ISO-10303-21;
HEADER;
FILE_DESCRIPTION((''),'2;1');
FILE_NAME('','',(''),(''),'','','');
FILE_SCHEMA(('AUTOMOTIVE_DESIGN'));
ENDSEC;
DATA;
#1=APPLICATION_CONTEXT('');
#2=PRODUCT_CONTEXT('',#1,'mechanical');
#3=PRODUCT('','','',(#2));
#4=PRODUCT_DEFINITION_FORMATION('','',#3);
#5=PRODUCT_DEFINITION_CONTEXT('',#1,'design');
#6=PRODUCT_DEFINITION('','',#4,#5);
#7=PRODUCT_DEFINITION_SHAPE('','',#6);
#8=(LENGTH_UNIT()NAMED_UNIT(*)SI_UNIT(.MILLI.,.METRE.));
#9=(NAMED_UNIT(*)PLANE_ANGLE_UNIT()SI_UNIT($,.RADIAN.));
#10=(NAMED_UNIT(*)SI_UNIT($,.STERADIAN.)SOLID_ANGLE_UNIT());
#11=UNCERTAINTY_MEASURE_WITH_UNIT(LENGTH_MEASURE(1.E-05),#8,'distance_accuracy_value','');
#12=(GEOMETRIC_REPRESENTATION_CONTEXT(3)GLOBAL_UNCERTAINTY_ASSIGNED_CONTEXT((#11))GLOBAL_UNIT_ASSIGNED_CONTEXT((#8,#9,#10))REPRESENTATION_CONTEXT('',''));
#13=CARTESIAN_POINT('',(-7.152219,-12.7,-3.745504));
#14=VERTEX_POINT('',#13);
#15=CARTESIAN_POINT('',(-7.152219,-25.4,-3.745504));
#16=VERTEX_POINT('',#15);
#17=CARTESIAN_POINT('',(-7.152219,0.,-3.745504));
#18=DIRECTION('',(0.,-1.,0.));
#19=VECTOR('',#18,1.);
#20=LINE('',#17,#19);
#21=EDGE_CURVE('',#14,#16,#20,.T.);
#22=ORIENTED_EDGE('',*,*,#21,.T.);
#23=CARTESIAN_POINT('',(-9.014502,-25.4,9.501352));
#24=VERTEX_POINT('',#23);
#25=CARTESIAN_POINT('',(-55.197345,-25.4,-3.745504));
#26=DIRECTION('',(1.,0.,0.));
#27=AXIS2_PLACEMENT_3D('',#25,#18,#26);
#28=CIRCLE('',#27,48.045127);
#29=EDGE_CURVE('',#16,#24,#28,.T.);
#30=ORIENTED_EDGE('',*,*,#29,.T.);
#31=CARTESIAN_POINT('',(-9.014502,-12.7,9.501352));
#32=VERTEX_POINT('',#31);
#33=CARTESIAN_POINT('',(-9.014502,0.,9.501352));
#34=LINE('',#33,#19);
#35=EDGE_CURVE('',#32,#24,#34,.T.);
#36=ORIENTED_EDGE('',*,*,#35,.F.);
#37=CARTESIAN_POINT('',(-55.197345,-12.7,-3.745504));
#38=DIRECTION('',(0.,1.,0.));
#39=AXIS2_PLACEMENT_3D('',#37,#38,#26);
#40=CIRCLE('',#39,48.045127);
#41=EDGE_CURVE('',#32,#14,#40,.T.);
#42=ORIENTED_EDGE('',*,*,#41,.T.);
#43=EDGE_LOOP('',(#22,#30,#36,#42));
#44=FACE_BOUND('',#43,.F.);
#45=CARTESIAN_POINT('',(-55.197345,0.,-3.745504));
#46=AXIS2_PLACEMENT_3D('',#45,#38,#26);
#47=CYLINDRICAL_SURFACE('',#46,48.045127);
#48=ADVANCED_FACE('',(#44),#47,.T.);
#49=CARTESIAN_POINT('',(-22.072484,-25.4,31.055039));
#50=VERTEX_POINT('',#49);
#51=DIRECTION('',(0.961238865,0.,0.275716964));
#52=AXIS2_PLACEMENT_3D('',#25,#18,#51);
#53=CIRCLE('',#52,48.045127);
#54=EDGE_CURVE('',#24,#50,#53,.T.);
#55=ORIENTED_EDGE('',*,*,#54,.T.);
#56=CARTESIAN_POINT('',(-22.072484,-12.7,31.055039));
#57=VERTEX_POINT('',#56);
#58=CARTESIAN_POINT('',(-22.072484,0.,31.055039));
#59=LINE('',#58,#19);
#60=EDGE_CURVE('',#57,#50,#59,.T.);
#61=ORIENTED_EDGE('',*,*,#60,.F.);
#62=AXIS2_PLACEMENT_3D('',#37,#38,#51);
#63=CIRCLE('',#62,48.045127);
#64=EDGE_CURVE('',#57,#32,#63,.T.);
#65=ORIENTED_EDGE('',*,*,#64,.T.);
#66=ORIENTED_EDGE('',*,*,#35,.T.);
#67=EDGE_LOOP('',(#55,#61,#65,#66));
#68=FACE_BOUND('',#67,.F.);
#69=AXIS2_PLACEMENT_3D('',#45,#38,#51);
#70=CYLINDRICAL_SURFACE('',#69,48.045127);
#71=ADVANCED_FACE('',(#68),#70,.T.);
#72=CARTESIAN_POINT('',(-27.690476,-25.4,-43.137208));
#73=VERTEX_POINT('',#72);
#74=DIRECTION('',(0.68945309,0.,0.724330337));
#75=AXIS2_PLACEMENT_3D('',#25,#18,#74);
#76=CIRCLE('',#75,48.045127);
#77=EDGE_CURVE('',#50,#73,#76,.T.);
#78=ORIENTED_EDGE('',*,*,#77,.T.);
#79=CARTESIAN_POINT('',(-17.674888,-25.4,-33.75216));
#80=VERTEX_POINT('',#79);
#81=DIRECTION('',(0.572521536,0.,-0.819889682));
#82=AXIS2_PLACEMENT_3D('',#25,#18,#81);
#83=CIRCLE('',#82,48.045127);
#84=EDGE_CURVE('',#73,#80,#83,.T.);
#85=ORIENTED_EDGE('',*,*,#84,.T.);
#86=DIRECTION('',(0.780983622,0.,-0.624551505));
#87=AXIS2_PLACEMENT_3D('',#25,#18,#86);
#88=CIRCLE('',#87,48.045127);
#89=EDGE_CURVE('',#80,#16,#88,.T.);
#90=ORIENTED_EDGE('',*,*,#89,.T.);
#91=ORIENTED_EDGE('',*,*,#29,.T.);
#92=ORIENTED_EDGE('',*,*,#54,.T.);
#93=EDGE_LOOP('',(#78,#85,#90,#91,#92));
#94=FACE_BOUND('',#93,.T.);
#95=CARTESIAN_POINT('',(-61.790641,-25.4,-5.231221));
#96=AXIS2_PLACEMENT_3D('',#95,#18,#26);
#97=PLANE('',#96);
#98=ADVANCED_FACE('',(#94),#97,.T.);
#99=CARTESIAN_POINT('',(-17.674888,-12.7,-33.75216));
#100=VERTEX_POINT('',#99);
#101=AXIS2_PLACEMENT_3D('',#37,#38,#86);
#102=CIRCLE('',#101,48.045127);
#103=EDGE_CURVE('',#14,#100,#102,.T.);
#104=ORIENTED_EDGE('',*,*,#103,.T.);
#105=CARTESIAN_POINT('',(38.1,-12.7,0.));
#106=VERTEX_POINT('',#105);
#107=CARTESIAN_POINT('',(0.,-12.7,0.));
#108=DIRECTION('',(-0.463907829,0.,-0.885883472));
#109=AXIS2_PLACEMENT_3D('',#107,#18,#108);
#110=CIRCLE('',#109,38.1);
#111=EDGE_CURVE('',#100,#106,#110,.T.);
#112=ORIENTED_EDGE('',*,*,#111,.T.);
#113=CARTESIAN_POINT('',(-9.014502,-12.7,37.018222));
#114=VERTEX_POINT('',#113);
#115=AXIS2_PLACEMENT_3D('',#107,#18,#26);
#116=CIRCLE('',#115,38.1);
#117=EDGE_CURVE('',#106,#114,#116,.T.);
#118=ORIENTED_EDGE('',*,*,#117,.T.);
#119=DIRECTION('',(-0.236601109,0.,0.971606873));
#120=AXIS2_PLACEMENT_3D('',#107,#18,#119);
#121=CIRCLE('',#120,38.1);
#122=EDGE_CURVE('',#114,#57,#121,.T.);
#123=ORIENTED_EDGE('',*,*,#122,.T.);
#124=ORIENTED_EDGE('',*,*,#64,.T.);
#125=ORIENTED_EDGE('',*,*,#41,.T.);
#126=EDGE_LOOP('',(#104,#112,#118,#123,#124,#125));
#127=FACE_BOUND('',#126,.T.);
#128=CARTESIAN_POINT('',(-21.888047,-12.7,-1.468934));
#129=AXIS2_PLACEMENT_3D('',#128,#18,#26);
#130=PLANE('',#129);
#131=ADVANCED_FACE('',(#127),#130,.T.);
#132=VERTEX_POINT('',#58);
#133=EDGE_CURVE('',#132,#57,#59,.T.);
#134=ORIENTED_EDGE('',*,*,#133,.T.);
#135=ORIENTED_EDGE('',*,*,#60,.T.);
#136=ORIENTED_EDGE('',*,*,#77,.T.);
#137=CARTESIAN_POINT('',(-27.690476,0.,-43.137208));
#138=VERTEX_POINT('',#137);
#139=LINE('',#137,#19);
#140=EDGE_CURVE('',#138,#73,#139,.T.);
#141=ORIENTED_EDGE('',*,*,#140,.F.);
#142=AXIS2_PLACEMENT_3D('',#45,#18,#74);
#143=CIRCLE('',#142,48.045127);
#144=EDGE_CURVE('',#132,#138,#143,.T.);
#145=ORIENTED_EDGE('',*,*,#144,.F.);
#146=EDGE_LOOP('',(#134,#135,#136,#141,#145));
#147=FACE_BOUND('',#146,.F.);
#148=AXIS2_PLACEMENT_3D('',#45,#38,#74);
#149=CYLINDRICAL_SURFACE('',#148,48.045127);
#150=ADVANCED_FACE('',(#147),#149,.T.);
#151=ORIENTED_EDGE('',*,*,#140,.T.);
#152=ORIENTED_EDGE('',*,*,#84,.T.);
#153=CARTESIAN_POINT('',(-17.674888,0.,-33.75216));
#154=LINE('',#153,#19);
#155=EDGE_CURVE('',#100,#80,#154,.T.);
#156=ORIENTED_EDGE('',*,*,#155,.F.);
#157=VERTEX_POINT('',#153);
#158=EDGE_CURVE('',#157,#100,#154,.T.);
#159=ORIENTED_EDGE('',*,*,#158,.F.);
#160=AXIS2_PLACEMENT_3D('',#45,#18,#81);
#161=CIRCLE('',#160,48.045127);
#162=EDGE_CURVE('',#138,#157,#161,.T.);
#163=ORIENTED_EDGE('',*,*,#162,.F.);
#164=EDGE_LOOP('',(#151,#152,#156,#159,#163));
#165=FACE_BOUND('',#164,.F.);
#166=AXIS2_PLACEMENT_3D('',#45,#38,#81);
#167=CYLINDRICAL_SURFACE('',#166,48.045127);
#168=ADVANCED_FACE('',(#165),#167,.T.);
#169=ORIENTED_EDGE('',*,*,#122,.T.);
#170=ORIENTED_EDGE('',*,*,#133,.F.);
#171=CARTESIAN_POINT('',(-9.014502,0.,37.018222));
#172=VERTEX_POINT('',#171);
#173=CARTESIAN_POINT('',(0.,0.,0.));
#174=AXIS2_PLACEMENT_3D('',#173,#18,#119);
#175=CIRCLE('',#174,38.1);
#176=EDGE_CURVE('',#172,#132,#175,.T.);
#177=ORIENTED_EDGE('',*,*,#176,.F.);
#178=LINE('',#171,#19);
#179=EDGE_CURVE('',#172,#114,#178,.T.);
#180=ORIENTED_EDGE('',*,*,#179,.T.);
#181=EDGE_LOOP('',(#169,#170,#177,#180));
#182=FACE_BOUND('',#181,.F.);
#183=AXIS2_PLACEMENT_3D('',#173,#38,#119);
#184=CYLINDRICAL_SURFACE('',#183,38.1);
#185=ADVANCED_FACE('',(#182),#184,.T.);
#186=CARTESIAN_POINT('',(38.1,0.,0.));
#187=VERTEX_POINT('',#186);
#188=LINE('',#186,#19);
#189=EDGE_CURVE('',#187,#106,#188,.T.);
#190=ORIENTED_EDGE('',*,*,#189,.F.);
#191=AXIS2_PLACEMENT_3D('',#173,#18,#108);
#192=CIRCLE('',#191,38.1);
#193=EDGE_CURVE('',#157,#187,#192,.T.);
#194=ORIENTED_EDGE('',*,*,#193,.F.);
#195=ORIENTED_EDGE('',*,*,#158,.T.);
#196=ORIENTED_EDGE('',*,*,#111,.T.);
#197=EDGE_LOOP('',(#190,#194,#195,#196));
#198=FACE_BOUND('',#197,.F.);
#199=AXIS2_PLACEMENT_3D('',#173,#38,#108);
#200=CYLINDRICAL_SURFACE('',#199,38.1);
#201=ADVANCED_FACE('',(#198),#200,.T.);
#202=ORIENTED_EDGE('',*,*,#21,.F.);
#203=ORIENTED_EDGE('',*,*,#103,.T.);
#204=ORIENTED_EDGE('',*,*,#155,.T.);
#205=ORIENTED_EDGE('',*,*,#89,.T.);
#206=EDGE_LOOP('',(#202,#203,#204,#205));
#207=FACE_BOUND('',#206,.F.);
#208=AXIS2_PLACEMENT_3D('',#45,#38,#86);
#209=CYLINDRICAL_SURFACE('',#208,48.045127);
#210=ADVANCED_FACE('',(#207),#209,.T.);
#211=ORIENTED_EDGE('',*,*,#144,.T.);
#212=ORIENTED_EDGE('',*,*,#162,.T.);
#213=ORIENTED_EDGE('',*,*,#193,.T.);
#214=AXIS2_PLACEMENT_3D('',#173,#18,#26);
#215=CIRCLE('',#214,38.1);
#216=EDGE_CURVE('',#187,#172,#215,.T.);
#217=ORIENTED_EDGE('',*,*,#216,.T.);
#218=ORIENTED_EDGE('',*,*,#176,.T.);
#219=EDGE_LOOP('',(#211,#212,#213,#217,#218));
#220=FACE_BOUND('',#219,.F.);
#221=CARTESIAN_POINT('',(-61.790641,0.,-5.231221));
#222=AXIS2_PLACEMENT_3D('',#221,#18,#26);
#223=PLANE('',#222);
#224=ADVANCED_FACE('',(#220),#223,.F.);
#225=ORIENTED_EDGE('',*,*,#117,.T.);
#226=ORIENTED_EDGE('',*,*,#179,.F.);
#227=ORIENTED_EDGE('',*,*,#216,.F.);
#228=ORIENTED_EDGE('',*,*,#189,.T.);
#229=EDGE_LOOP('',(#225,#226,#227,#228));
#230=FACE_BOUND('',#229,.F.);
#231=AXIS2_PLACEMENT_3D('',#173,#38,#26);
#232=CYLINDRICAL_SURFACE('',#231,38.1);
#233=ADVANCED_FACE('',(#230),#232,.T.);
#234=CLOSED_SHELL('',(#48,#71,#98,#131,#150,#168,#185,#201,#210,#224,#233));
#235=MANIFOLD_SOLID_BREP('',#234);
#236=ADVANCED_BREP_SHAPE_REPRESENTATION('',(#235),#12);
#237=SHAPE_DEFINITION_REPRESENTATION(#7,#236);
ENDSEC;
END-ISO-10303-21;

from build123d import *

# Parameters (mm, degrees)
F1_DEPTH = 25.4
F2_DEPTH = 12.7


with BuildPart() as f1:
    # F0 (on Front) → F1 (new body)
    with BuildSketch(Plane.XZ):
        with BuildLine():
            Line((-27.690475612, -43.1372077789), (-33.1402948428, -18.7970970559))
            ThreePointArc((-33.1402948428, -18.7970970559), (-37.1794475536, -8.3245828491), (-37.9917172133, 2.8704395462))
            Line((-37.9917172133, 2.8704395462), (-47.11450226, 43.6148365127))
            ThreePointArc((-47.11450226, 43.6148365127), (-102.0816308133, -14.2430273655), (-27.690475612, -43.1372077789))
        make_face()
        with BuildLine():
            ThreePointArc((-37.9917172133, 2.8704395462), (-33.1740860433, 18.7373961689), (-22.0724842868, 31.0550388409))
            ThreePointArc((-22.0724842868, 31.0550388409), (-33.6577109608, 39.2007223098), (-47.11450226, 43.6148365127))
            Line((-47.11450226, 43.6148365127), (-37.9917172133, 2.8704395462))
        make_face()
        with BuildLine():
            ThreePointArc((-33.1402948428, -18.7970970559), (-26.4850748145, -27.388881176), (-17.6748882748, -33.7521602934))
            ThreePointArc((-17.6748882748, -33.7521602934), (-9.8591417679, -19.6446077584), (-7.1522186187, -3.7455040399))
            ThreePointArc((-7.1522186187, -3.7455040399), (-7.6200674135, 2.9430553609), (-9.01450226, 9.5013524579))
            ThreePointArc((-9.01450226, 9.5013524579), (-14.105152254, 21.1495932769), (-22.0724842868, 31.0550388409))
            ThreePointArc((-22.0724842868, 31.0550388409), (-33.1740860433, 18.7373961689), (-37.9917172133, 2.8704395462))
            Line((-37.9917172133, 2.8704395462), (-33.1402948428, -18.7970970559))
        make_face()
        with BuildLine():
            ThreePointArc((-27.690475612, -43.1372077789), (-22.3458139479, -38.8041847031), (-17.6748882748, -33.7521602934))
            ThreePointArc((-17.6748882748, -33.7521602934), (-26.4850748145, -27.388881176), (-33.1402948428, -18.7970970559))
            Line((-33.1402948428, -18.7970970559), (-27.690475612, -43.1372077789))
        make_face()
        with BuildLine():
            ThreePointArc((-37.9917172133, 2.8704395462), (-37.1794475536, -8.3245828491), (-33.1402948428, -18.7970970559))
            Line((-33.1402948428, -18.7970970559), (-37.9917172133, 2.8704395462))
        make_face()
    extrude(amount=F1_DEPTH)

    # F0 (on Front) → F2 (join)
    with BuildSketch(Plane.XZ):
        with BuildLine():
            ThreePointArc((-33.1402948428, -18.7970970559), (-26.4850748145, -27.388881176), (-17.6748882748, -33.7521602934))
            ThreePointArc((-17.6748882748, -33.7521602934), (-9.8591417679, -19.6446077584), (-7.1522186187, -3.7455040399))
            ThreePointArc((-7.1522186187, -3.7455040399), (-7.6200674135, 2.9430553609), (-9.01450226, 9.5013524579))
            ThreePointArc((-9.01450226, 9.5013524579), (-14.105152254, 21.1495932769), (-22.0724842868, 31.0550388409))
            ThreePointArc((-22.0724842868, 31.0550388409), (-33.1740860433, 18.7373961689), (-37.9917172133, 2.8704395462))
            Line((-37.9917172133, 2.8704395462), (-33.1402948428, -18.7970970559))
        make_face()
        with BuildLine():
            Line((-9.01450226, 9.5013524579), (-9.01450226, 37.0182218509))
            ThreePointArc((-9.01450226, 37.0182218509), (-15.8268781205, 34.6571771637), (-22.0724842868, 31.0550388409))
            ThreePointArc((-22.0724842868, 31.0550388409), (-14.105152254, 21.1495932769), (-9.01450226, 9.5013524579))
        make_face()
        with BuildLine():
            ThreePointArc((-17.6748882748, -33.7521602934), (19.7255767562, -32.5961902933), (38.1, 0))
            ThreePointArc((38.1, 0), (23.5388770324, 29.9588262129), (-9.01450226, 37.0182218509))
            Line((-9.01450226, 37.0182218509), (-9.01450226, 9.5013524579))
            ThreePointArc((-9.01450226, 9.5013524579), (-7.6200674135, 2.9430553609), (-7.1522186187, -3.7455040399))
            ThreePointArc((-7.1522186187, -3.7455040399), (-9.8591417679, -19.6446077584), (-17.6748882748, -33.7521602934))
        make_face()
        with BuildLine():
            ThreePointArc((-37.9917172133, 2.8704395462), (-37.1794475536, -8.3245828491), (-33.1402948428, -18.7970970559))
            Line((-33.1402948428, -18.7970970559), (-37.9917172133, 2.8704395462))
        make_face()
    extrude(amount=F2_DEPTH)


solid = f1.part
